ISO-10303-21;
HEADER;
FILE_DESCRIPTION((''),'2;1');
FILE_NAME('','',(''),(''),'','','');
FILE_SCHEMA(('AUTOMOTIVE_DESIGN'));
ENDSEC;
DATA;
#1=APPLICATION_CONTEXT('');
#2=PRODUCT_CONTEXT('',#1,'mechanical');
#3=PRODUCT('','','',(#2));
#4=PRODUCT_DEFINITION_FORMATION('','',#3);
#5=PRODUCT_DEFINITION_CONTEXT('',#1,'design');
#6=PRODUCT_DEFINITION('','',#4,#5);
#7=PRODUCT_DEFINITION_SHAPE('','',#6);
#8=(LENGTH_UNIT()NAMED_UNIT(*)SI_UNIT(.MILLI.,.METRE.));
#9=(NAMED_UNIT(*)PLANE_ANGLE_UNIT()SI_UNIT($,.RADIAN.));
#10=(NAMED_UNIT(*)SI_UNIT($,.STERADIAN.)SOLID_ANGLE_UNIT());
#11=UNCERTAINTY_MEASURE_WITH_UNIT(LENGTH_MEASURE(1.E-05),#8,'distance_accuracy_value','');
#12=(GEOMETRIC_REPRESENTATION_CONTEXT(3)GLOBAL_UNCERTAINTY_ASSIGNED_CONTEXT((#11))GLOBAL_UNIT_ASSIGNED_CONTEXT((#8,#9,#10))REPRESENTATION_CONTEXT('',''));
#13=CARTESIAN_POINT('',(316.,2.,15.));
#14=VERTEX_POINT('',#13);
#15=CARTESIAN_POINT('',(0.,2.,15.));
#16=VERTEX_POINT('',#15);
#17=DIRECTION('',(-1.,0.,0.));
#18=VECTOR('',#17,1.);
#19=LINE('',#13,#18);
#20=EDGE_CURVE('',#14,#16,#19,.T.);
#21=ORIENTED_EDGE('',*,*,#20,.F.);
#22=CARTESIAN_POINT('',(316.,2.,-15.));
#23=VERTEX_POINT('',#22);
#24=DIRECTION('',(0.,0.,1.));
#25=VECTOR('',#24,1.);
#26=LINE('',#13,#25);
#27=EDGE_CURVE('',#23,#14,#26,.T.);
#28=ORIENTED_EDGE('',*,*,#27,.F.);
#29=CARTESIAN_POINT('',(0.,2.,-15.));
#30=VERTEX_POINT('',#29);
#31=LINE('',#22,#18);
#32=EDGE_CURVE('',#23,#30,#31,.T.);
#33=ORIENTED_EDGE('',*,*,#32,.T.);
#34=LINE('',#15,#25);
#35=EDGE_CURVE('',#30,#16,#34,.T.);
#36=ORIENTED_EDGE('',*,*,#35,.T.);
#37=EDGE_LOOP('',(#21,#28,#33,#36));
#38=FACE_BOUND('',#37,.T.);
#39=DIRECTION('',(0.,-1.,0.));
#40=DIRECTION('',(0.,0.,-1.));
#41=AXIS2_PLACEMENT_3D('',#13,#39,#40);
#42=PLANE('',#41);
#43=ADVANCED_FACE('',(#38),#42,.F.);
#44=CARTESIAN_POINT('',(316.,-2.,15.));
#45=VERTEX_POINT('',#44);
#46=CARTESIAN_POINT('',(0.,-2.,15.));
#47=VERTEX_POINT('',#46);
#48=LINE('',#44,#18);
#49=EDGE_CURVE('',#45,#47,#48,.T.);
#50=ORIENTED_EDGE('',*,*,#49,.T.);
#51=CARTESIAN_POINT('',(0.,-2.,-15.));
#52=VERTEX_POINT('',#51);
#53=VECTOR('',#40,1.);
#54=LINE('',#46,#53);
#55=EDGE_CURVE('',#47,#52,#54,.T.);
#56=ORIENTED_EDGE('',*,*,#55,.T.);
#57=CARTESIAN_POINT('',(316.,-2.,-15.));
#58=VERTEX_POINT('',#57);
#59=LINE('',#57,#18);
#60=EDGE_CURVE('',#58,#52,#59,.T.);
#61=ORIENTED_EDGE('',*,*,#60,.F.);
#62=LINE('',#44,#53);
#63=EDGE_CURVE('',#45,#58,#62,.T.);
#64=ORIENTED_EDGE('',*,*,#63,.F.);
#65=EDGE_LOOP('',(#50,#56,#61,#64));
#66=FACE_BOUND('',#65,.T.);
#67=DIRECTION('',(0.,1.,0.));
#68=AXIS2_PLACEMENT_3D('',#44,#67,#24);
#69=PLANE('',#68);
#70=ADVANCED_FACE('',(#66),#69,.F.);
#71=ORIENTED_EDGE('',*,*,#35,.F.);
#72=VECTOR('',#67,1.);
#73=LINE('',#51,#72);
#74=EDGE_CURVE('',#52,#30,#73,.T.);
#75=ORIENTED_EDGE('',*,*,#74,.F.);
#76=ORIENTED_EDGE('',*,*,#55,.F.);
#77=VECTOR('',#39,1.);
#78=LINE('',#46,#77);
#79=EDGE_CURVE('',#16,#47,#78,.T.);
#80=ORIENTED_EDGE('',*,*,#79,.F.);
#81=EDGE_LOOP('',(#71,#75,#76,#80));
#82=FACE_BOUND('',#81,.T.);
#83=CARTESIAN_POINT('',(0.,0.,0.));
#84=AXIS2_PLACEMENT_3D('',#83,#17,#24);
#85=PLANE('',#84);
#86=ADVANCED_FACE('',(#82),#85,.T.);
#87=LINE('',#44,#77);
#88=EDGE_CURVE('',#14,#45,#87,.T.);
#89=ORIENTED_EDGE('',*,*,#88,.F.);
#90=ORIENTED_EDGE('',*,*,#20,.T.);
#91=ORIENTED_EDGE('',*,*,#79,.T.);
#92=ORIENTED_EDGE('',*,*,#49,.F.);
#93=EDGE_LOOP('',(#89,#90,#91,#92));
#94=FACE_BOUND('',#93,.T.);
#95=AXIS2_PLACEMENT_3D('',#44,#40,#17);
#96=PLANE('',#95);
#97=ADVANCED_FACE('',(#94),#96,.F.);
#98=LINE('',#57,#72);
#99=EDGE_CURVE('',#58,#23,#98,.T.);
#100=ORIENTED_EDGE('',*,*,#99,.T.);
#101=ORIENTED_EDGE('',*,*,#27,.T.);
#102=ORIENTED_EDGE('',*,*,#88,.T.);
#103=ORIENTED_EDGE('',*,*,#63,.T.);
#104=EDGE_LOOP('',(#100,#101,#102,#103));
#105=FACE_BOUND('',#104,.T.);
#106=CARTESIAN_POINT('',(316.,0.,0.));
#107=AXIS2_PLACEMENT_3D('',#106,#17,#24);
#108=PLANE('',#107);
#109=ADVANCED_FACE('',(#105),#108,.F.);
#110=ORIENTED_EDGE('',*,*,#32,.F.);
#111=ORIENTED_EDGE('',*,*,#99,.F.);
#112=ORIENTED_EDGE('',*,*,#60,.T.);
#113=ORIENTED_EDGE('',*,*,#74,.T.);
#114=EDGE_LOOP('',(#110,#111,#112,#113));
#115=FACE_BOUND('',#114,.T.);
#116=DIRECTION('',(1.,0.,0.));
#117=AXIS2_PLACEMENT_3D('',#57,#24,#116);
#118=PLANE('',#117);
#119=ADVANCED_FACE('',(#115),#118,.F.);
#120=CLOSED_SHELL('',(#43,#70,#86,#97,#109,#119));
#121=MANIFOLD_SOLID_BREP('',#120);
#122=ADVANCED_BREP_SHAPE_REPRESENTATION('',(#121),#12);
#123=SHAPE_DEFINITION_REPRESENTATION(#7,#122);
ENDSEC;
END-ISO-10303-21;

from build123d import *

# Parameters (mm, degrees)
SKETCH_1_W      = 30
SKETCH_1_H      = 4
EXTRUDE_1_DEPTH = 316


with BuildPart() as part:
    # Эскиз1 → Бобышка-Вытянуть1 (new body)
    with BuildSketch(Plane(origin=(0, 0, 0), x_dir=(0, 0, -1), z_dir=(1, 0, 0))):
        Rectangle(SKETCH_1_W, SKETCH_1_H)
    extrude(amount=EXTRUDE_1_DEPTH)


solid = part.part
